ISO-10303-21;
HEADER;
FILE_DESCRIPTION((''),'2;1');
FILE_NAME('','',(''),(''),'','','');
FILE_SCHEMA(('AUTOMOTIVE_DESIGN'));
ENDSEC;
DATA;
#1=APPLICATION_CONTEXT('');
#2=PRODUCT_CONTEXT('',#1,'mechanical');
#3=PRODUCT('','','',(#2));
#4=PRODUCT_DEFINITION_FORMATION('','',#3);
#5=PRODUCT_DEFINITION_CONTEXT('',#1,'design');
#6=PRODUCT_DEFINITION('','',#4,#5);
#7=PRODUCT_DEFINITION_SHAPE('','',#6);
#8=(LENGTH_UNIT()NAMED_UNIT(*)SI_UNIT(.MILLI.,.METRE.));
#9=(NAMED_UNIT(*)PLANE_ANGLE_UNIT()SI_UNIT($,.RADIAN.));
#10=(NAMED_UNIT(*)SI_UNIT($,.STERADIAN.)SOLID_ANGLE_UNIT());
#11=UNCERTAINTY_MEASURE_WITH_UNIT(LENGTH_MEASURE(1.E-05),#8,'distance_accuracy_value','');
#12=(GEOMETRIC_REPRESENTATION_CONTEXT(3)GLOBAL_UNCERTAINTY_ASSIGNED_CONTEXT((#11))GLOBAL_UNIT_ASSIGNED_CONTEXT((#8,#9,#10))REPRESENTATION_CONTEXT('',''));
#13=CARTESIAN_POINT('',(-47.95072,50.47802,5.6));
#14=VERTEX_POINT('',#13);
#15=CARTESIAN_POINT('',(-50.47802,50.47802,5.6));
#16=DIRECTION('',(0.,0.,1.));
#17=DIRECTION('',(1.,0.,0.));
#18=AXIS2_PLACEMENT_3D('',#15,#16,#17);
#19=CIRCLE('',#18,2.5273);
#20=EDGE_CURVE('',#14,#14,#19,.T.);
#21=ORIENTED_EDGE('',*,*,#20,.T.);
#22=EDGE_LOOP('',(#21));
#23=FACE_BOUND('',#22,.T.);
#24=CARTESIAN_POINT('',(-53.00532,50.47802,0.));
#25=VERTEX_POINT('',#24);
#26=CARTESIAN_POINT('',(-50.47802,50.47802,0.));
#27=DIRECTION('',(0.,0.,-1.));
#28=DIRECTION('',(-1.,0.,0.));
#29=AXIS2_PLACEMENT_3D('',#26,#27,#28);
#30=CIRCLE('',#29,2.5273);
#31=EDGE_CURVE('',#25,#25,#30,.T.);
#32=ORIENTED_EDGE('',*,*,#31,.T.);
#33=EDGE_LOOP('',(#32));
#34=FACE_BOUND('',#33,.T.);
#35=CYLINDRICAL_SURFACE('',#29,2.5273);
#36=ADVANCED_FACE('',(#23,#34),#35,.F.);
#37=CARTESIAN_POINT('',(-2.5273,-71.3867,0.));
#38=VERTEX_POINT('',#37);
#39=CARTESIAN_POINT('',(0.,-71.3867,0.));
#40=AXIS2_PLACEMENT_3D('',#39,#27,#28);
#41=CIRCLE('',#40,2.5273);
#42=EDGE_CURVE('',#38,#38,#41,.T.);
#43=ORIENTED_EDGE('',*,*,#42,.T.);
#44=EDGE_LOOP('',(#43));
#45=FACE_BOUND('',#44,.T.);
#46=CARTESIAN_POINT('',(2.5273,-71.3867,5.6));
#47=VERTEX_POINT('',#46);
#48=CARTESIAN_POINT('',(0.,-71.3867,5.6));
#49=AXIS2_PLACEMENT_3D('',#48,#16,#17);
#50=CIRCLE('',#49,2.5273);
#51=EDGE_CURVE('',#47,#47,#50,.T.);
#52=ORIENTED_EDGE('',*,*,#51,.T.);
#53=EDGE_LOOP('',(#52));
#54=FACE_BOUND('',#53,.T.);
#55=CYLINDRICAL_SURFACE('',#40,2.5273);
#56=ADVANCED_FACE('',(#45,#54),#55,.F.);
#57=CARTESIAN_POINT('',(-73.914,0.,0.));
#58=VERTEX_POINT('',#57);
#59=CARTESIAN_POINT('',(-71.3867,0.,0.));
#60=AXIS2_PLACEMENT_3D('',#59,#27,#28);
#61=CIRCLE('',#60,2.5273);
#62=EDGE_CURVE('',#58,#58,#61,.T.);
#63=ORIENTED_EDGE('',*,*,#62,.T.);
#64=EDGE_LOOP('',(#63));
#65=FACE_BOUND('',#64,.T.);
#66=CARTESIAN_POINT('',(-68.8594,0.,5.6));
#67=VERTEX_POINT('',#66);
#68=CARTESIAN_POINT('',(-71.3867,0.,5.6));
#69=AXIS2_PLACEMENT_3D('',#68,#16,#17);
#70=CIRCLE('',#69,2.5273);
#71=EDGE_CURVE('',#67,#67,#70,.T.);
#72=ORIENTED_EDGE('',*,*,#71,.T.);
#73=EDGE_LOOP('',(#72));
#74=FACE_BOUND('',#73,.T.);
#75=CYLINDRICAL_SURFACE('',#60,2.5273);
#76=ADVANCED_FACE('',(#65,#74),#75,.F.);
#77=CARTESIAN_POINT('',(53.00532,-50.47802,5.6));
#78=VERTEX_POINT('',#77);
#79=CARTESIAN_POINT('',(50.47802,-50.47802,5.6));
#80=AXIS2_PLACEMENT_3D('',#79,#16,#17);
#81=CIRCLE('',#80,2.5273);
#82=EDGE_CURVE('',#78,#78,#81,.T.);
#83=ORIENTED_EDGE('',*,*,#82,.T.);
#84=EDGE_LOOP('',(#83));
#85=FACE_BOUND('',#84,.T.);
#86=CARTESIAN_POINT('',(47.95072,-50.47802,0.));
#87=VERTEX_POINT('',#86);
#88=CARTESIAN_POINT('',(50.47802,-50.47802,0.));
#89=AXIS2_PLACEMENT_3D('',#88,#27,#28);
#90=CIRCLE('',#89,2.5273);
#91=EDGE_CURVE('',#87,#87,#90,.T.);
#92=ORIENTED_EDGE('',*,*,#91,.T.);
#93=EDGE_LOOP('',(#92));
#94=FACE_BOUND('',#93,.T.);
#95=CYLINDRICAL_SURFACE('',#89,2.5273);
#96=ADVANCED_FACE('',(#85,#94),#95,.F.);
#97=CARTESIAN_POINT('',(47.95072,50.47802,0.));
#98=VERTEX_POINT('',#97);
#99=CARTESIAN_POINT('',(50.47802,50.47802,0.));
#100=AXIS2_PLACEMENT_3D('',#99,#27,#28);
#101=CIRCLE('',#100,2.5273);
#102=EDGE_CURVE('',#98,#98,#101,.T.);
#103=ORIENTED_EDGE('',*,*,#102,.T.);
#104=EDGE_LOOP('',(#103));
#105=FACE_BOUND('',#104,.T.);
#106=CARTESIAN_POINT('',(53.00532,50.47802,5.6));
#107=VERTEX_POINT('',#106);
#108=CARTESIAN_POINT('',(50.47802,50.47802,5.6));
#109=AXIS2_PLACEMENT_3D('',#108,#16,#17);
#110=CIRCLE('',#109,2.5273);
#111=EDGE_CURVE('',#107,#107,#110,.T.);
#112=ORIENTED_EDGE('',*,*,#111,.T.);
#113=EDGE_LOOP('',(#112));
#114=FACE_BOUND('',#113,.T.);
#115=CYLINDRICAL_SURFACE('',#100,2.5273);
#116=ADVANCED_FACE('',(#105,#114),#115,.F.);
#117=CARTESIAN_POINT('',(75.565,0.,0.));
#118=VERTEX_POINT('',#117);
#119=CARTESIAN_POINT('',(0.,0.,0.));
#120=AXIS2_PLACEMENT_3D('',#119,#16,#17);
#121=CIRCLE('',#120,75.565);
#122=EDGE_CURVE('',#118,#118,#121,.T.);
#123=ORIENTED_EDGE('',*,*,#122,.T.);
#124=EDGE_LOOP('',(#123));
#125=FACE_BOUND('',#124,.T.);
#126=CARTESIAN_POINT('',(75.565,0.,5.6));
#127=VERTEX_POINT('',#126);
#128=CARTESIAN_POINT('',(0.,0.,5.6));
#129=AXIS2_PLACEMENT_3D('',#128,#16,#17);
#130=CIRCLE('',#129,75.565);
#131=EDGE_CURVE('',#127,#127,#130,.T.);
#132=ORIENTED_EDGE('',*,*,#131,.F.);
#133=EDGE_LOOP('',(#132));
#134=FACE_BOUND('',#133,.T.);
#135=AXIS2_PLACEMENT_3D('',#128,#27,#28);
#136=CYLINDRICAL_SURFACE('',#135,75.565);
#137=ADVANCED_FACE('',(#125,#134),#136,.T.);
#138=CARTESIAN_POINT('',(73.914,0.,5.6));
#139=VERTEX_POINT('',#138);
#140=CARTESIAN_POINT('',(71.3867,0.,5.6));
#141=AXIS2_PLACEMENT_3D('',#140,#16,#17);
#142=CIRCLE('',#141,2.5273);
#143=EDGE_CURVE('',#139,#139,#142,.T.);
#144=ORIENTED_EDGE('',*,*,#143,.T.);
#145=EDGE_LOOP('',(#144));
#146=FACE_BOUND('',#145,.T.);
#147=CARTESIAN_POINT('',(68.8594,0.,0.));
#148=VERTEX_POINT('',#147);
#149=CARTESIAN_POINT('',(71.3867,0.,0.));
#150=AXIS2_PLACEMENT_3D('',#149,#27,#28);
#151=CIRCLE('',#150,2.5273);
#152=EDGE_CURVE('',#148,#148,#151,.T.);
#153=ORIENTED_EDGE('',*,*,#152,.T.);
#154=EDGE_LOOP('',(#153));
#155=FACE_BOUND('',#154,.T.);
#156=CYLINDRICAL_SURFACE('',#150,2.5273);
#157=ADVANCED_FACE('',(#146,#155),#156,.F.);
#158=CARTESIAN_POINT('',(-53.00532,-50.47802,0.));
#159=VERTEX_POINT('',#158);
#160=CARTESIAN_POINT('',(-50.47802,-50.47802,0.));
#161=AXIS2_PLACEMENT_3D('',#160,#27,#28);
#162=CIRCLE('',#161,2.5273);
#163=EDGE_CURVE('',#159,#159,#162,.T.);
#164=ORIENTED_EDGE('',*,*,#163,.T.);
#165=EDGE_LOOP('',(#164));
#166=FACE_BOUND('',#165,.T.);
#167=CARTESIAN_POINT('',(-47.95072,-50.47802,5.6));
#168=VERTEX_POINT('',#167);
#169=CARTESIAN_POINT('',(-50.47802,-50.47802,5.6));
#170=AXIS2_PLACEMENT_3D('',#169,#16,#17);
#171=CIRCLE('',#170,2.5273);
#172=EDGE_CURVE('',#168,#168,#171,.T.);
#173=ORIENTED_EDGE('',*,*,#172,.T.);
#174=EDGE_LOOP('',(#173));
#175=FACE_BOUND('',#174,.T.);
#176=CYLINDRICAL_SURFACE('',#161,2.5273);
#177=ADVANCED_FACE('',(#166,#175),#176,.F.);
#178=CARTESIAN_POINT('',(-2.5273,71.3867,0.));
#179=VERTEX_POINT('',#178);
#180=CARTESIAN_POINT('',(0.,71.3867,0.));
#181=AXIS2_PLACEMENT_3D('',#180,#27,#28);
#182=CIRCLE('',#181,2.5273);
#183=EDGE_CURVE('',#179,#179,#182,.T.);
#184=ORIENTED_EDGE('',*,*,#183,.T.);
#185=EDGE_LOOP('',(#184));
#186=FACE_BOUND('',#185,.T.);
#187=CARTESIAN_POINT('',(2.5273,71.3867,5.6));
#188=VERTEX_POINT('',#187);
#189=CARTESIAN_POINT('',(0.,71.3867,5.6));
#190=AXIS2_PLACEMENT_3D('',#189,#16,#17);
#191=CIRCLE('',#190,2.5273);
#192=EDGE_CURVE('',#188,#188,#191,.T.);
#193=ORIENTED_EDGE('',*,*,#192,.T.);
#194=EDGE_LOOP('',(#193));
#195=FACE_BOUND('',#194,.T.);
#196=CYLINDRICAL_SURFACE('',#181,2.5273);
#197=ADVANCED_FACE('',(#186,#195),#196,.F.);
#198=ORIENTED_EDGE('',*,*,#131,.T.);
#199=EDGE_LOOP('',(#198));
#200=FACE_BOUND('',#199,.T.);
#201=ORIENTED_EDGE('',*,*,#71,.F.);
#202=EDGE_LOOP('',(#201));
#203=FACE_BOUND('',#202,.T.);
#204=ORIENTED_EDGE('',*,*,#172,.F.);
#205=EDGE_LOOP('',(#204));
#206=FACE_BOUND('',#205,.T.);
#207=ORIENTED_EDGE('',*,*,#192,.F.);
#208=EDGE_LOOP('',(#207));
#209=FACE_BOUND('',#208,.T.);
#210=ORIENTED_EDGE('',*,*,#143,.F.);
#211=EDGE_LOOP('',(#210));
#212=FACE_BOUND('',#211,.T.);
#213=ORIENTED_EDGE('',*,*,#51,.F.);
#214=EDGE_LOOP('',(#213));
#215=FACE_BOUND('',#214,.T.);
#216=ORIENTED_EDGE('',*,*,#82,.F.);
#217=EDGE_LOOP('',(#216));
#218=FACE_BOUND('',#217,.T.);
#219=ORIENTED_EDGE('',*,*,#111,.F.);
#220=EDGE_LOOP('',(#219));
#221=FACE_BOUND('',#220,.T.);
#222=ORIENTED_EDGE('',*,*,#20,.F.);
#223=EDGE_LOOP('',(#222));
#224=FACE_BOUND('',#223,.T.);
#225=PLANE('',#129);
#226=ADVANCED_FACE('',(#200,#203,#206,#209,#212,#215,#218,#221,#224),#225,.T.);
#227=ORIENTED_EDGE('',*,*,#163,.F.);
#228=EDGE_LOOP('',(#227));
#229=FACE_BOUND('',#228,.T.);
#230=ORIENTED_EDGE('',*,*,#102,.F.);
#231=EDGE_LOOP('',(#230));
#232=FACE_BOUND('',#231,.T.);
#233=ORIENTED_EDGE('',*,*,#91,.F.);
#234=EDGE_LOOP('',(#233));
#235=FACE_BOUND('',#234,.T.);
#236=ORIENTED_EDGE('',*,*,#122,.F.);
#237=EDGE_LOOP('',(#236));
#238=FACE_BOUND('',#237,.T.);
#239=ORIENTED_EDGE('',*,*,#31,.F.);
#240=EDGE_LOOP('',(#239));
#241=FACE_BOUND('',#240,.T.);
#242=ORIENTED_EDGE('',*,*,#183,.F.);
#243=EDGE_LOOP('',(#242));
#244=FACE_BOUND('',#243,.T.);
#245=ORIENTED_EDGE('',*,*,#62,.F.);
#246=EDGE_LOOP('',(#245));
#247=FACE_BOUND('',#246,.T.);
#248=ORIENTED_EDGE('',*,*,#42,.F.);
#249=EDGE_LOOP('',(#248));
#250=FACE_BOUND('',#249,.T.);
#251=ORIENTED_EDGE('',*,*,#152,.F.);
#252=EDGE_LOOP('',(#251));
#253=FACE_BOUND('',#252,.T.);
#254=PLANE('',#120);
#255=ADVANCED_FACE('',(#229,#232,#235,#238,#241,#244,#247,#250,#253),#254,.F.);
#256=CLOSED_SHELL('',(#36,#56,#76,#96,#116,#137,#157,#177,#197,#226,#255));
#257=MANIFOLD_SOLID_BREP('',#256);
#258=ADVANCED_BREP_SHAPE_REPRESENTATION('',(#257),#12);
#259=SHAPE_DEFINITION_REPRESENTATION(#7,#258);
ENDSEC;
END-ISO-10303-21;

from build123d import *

# Parameters (mm, degrees)
SKETCH1_R                      = 75.565
BOSS_EXTRUDE1_DEPTH            = 5.6
F_8_0_199_DIAMETER_HOLE1_D     = 5.0546
F_8_0_199_DIAMETER_HOLE1_DEPTH = 8.481444958
F_8_0_199_DIAMETER_HOLE1_TIP   = 1.518555042


with BuildPart() as part:
    # Sketch1 → Boss-Extrude1 (new body)
    with BuildSketch(Plane.XY):
        Circle(SKETCH1_R)
    extrude(amount=BOSS_EXTRUDE1_DEPTH)

    # #8 (0.199) Diameter Hole1
    with Locations(Plane(origin=(0, 0, 0), x_dir=(-1, 0, 0), z_dir=(0, 0, -1))):
        with Locations((-50.478019657, 50.478019657), (0, 71.3867), (50.478019657, 50.478019657), (71.3867, 0), (50.478019657, -50.478019657), (0, -71.3867), (-50.478019657, -50.478019657), (-71.3867, 0)):
            Hole(F_8_0_199_DIAMETER_HOLE1_D / 2, depth=F_8_0_199_DIAMETER_HOLE1_DEPTH)
            with Locations((0, 0, -(F_8_0_199_DIAMETER_HOLE1_DEPTH + F_8_0_199_DIAMETER_HOLE1_TIP / 2))):  # 118° drill point
                Cone(0, F_8_0_199_DIAMETER_HOLE1_D / 2, F_8_0_199_DIAMETER_HOLE1_TIP, mode=Mode.SUBTRACT)


solid = part.part
